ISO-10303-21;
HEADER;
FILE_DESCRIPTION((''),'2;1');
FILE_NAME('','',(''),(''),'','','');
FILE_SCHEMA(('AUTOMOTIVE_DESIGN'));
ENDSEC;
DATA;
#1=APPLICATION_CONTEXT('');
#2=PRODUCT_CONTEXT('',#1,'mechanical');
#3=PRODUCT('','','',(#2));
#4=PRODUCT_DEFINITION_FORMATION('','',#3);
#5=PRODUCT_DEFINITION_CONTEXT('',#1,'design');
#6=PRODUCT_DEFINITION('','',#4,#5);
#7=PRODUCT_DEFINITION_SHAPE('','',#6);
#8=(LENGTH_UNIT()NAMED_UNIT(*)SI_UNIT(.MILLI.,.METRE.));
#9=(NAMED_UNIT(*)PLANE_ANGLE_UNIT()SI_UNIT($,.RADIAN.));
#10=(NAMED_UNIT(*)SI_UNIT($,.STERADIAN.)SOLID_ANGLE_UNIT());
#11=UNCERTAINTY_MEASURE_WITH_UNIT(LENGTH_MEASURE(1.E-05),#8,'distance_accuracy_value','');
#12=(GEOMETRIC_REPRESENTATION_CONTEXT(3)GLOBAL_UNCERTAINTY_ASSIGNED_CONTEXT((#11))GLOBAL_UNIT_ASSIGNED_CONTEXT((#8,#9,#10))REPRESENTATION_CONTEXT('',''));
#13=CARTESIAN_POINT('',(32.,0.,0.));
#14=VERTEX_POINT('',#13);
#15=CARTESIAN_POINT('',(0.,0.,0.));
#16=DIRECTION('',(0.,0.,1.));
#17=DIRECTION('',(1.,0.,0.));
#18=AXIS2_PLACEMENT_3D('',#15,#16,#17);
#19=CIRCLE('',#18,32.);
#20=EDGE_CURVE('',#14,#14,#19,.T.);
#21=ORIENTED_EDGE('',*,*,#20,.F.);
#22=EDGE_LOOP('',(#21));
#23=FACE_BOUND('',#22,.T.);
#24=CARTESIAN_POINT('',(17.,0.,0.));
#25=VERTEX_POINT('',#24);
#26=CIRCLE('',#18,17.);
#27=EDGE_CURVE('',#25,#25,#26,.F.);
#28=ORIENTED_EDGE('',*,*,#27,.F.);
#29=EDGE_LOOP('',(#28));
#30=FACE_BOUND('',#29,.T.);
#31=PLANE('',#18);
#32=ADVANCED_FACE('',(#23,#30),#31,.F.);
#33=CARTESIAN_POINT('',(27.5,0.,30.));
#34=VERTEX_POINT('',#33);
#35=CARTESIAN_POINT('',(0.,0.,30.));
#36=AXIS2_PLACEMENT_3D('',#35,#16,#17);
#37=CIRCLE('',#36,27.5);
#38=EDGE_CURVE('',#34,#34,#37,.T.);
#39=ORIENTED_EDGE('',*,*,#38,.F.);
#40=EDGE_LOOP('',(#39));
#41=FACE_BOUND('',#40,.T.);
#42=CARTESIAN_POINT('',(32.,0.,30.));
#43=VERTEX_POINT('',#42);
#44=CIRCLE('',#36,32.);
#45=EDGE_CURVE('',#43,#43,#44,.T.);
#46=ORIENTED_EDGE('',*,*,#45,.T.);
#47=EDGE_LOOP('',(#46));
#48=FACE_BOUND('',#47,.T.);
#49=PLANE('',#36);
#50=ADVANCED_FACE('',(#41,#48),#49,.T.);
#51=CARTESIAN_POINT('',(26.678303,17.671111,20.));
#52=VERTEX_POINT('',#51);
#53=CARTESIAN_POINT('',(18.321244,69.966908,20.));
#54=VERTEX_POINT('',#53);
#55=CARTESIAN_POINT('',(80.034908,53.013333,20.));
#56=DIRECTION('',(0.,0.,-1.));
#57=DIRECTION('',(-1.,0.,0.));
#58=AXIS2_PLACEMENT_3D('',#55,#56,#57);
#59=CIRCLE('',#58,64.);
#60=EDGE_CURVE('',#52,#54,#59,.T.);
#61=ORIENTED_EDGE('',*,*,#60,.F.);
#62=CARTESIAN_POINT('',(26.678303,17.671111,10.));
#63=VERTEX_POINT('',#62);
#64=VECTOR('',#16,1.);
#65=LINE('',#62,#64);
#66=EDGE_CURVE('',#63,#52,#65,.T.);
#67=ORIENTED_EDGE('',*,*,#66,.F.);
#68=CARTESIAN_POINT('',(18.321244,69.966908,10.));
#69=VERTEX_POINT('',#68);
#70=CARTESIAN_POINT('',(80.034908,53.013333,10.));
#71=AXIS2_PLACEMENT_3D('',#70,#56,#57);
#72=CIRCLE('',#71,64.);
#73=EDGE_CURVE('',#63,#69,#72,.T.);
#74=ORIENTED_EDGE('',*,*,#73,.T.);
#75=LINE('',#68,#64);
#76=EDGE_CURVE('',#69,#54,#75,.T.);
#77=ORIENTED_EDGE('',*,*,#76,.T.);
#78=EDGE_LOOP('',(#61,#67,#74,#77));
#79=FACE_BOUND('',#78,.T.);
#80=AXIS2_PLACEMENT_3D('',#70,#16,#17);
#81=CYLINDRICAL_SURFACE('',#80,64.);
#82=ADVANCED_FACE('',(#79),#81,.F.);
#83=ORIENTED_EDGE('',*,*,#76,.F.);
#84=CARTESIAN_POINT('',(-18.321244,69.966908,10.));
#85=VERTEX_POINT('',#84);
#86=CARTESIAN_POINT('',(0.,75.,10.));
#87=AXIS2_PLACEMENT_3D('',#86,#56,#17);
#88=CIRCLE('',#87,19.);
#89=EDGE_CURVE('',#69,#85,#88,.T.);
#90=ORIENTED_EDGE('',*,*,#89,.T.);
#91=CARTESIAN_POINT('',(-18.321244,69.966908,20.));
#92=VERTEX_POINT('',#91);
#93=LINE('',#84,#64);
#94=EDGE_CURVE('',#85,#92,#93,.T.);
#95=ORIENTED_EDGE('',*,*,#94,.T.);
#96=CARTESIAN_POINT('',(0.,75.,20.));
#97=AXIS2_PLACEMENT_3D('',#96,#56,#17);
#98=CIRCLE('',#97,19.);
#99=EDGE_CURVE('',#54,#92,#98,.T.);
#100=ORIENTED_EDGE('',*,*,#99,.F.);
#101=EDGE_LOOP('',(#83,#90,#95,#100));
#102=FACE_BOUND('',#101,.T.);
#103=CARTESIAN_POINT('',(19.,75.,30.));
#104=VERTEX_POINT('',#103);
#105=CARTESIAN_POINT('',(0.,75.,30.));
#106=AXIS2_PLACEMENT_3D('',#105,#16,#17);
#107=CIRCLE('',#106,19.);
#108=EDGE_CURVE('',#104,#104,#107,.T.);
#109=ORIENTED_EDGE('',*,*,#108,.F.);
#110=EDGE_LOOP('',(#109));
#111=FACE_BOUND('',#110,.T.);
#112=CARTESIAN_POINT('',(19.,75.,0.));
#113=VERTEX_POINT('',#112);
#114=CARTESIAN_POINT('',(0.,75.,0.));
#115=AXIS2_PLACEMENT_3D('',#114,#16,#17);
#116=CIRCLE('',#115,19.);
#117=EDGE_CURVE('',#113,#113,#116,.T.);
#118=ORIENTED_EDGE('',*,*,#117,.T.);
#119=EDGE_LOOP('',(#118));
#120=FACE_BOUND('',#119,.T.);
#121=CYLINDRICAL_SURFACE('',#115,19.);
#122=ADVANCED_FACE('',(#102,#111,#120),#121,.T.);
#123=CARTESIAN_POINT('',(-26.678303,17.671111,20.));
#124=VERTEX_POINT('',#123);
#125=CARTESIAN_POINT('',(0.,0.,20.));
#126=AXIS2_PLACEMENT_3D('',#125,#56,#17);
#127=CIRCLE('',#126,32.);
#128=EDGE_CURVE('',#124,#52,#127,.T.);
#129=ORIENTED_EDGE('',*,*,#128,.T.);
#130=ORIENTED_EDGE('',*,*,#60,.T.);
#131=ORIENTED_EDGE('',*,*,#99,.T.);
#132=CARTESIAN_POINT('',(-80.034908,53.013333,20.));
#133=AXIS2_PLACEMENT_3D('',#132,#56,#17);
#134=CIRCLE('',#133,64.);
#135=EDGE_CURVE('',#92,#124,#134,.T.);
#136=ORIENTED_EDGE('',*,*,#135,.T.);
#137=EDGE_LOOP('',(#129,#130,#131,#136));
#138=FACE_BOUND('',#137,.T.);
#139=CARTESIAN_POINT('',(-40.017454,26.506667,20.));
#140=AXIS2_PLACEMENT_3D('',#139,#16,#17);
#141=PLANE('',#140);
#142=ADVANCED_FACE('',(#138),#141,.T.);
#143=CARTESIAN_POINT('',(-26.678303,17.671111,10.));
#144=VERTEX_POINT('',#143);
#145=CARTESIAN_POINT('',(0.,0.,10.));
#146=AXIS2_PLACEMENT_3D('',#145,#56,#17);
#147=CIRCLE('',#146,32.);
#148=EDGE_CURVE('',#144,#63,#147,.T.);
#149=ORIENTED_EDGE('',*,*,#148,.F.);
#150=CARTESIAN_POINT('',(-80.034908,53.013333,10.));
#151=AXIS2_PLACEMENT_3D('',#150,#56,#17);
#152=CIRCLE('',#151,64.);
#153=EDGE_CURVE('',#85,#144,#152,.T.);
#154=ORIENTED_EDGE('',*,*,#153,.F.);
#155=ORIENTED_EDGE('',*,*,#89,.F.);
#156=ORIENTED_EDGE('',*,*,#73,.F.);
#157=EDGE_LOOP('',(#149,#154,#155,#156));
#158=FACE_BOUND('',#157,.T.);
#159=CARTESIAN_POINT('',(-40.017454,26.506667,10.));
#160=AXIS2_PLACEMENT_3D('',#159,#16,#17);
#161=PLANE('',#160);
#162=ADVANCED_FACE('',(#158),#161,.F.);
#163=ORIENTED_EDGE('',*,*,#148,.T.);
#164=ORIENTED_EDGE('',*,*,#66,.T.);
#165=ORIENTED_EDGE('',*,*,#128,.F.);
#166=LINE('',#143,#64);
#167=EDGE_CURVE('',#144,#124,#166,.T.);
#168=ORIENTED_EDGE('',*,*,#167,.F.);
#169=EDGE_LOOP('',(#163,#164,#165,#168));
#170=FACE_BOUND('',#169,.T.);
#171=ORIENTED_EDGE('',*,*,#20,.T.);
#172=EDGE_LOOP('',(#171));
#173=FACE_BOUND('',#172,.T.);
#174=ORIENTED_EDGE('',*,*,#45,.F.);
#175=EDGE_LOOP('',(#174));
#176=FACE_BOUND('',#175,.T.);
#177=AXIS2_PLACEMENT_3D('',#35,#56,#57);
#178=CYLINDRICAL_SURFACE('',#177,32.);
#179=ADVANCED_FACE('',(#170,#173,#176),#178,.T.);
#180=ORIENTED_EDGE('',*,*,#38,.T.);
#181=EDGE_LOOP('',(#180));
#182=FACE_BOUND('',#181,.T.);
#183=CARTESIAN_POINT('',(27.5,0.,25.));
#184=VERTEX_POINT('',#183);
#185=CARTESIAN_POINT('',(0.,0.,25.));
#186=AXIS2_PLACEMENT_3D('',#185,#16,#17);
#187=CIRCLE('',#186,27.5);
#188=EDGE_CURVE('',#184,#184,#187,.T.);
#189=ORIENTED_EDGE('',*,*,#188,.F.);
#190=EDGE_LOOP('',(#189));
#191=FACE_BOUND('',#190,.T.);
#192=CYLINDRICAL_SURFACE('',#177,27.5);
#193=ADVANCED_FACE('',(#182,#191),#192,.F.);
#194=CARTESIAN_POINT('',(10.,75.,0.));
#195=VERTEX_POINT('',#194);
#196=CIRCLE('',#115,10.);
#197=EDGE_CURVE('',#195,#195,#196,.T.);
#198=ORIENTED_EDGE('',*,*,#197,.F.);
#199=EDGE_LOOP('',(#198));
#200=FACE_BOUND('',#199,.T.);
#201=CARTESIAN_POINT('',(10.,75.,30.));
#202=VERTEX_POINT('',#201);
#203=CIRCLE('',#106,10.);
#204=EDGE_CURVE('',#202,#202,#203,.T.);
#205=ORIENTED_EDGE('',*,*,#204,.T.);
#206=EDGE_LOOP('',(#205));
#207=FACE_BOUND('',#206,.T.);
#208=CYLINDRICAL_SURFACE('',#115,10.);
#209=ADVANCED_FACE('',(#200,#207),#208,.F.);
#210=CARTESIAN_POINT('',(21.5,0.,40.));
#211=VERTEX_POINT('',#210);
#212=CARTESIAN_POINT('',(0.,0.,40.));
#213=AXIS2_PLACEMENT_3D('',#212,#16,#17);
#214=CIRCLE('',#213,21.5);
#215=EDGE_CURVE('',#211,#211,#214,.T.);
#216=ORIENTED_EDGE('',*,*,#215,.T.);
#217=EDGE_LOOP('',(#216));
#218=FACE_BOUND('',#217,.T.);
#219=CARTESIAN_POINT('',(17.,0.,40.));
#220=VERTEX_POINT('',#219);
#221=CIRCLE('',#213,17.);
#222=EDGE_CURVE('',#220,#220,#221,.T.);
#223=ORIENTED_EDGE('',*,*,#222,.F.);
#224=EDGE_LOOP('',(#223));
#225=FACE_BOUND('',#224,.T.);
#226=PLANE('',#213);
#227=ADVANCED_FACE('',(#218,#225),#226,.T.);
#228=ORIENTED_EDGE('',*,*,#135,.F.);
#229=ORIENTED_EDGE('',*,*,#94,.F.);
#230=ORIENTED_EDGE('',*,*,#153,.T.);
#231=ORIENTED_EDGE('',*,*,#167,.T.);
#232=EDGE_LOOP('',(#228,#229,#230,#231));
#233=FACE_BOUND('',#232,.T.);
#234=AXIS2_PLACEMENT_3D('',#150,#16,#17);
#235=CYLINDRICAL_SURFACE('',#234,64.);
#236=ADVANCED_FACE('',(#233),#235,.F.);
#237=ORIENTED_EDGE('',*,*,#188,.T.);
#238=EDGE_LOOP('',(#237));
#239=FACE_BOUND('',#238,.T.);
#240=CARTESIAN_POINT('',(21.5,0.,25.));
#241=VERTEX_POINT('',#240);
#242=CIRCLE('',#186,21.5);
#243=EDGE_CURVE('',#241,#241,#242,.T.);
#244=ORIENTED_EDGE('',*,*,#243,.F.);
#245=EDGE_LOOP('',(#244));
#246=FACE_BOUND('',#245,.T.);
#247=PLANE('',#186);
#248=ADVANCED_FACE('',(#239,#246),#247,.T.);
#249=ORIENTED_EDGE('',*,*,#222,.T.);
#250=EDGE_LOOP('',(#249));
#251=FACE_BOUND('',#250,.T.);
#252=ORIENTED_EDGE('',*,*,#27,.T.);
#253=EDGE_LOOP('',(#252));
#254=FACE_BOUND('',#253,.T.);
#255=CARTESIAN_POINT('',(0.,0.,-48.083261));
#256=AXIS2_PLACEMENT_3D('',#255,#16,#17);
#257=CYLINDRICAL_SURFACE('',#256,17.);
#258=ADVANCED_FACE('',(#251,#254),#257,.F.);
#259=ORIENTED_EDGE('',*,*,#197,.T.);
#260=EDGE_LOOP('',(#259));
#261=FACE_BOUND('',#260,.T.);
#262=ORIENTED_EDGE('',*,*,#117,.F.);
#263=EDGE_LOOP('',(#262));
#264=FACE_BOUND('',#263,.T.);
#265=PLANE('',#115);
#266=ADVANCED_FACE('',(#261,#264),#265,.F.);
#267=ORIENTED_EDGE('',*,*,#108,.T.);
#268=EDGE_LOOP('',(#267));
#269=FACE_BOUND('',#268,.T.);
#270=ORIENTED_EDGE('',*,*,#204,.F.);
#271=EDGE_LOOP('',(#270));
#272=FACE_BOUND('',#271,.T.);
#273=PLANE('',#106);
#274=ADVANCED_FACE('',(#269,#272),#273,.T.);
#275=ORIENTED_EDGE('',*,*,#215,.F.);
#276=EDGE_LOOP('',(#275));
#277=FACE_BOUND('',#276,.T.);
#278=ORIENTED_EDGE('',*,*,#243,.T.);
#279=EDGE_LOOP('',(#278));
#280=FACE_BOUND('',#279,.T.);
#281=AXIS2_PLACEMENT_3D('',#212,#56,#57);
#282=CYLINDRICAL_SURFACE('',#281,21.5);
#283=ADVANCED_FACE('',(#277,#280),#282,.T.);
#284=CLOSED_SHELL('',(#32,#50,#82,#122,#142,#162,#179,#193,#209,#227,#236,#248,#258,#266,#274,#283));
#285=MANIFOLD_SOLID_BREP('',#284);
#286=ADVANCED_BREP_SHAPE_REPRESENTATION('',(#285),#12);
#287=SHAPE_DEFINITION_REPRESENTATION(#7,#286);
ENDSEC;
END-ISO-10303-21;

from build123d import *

# Parameters (mm, degrees)
SKETCH2_R                = 32
SKETCH2_R_2              = 27.5
BOSS_EXTRUDE1_DEPTH      = 30
BOSS_EXTRUDE2_DEPTH      = 5
BOSS_EXTRUDE2_DEPTH_BACK = 5
BOSS_EXTRUDE3_DEPTH      = 15
BOSS_EXTRUDE3_DEPTH_BACK = 15
SKETCH4_R                = 19
SKETCH4_R_2              = 10
BOSS_EXTRUDE4_DEPTH      = 10
BOSS_EXTRUDE4_DEPTH_BACK = 15
SKETCH5_R                = 27.5
SKETCH6_R                = 21.5
BOSS_EXTRUDE5_DEPTH      = 15
SKETCH7_R                = 17
CUT_EXTRUDE1_DEPTH       = 40


with BuildPart() as part:
    # Sketch2 → Boss-Extrude1 (new body)
    with BuildSketch(Plane.XY):
        Circle(SKETCH2_R)
        Circle(SKETCH2_R_2, mode=Mode.SUBTRACT)
    extrude(amount=BOSS_EXTRUDE1_DEPTH)

    # Sketch3 → Boss-Extrude2 (add, two sides: drawn at the far end of the back side and taken through both)
    with BuildSketch(Plane.XY.offset(15).offset(-BOSS_EXTRUDE2_DEPTH_BACK)):
        with BuildLine():
            ThreePointArc((-18.321243986, 69.966907631), (0, 56), (18.321243986, 69.966907631))
            ThreePointArc((18.321243986, 69.966907631), (16.836772686, 42.914041255), (26.678302647, 17.671111111))
            ThreePointArc((26.678302647, 17.671111111), (0, 32), (-26.678302647, 17.671111111))
            ThreePointArc((-26.678302647, 17.671111111), (-16.836772686, 42.914041255), (-18.321243986, 69.966907631))
        make_face()
    extrude(amount=BOSS_EXTRUDE2_DEPTH + BOSS_EXTRUDE2_DEPTH_BACK)

    # Sketch4 → Boss-Extrude3 (add, two sides: drawn at the far end of the back side and taken through both)
    with BuildSketch(Plane.XY.offset(15).offset(-BOSS_EXTRUDE3_DEPTH_BACK)):
        with Locations((0, 75)):
            Circle(SKETCH4_R)
        with Locations((0, 75)):
            Circle(SKETCH4_R_2, mode=Mode.SUBTRACT)
    extrude(amount=BOSS_EXTRUDE3_DEPTH + BOSS_EXTRUDE3_DEPTH_BACK)

    # Sketch5 → Boss-Extrude4 (add, two sides: drawn at the far end of the back side and taken through both)
    with BuildSketch(Plane.XY.offset(15).offset(-BOSS_EXTRUDE4_DEPTH_BACK)):
        Circle(SKETCH5_R)
    extrude(amount=BOSS_EXTRUDE4_DEPTH + BOSS_EXTRUDE4_DEPTH_BACK)

    # Sketch6 → Boss-Extrude5 (add)
    with BuildSketch(Plane.XY.offset(25)):
        Circle(SKETCH6_R)
    extrude(amount=BOSS_EXTRUDE5_DEPTH)

    # Sketch7 → Cut-Extrude1 (cut)
    with BuildSketch(Plane.XY.offset(40)):
        Circle(SKETCH7_R)
    extrude(amount=-CUT_EXTRUDE1_DEPTH, mode=Mode.SUBTRACT)


solid = part.part
